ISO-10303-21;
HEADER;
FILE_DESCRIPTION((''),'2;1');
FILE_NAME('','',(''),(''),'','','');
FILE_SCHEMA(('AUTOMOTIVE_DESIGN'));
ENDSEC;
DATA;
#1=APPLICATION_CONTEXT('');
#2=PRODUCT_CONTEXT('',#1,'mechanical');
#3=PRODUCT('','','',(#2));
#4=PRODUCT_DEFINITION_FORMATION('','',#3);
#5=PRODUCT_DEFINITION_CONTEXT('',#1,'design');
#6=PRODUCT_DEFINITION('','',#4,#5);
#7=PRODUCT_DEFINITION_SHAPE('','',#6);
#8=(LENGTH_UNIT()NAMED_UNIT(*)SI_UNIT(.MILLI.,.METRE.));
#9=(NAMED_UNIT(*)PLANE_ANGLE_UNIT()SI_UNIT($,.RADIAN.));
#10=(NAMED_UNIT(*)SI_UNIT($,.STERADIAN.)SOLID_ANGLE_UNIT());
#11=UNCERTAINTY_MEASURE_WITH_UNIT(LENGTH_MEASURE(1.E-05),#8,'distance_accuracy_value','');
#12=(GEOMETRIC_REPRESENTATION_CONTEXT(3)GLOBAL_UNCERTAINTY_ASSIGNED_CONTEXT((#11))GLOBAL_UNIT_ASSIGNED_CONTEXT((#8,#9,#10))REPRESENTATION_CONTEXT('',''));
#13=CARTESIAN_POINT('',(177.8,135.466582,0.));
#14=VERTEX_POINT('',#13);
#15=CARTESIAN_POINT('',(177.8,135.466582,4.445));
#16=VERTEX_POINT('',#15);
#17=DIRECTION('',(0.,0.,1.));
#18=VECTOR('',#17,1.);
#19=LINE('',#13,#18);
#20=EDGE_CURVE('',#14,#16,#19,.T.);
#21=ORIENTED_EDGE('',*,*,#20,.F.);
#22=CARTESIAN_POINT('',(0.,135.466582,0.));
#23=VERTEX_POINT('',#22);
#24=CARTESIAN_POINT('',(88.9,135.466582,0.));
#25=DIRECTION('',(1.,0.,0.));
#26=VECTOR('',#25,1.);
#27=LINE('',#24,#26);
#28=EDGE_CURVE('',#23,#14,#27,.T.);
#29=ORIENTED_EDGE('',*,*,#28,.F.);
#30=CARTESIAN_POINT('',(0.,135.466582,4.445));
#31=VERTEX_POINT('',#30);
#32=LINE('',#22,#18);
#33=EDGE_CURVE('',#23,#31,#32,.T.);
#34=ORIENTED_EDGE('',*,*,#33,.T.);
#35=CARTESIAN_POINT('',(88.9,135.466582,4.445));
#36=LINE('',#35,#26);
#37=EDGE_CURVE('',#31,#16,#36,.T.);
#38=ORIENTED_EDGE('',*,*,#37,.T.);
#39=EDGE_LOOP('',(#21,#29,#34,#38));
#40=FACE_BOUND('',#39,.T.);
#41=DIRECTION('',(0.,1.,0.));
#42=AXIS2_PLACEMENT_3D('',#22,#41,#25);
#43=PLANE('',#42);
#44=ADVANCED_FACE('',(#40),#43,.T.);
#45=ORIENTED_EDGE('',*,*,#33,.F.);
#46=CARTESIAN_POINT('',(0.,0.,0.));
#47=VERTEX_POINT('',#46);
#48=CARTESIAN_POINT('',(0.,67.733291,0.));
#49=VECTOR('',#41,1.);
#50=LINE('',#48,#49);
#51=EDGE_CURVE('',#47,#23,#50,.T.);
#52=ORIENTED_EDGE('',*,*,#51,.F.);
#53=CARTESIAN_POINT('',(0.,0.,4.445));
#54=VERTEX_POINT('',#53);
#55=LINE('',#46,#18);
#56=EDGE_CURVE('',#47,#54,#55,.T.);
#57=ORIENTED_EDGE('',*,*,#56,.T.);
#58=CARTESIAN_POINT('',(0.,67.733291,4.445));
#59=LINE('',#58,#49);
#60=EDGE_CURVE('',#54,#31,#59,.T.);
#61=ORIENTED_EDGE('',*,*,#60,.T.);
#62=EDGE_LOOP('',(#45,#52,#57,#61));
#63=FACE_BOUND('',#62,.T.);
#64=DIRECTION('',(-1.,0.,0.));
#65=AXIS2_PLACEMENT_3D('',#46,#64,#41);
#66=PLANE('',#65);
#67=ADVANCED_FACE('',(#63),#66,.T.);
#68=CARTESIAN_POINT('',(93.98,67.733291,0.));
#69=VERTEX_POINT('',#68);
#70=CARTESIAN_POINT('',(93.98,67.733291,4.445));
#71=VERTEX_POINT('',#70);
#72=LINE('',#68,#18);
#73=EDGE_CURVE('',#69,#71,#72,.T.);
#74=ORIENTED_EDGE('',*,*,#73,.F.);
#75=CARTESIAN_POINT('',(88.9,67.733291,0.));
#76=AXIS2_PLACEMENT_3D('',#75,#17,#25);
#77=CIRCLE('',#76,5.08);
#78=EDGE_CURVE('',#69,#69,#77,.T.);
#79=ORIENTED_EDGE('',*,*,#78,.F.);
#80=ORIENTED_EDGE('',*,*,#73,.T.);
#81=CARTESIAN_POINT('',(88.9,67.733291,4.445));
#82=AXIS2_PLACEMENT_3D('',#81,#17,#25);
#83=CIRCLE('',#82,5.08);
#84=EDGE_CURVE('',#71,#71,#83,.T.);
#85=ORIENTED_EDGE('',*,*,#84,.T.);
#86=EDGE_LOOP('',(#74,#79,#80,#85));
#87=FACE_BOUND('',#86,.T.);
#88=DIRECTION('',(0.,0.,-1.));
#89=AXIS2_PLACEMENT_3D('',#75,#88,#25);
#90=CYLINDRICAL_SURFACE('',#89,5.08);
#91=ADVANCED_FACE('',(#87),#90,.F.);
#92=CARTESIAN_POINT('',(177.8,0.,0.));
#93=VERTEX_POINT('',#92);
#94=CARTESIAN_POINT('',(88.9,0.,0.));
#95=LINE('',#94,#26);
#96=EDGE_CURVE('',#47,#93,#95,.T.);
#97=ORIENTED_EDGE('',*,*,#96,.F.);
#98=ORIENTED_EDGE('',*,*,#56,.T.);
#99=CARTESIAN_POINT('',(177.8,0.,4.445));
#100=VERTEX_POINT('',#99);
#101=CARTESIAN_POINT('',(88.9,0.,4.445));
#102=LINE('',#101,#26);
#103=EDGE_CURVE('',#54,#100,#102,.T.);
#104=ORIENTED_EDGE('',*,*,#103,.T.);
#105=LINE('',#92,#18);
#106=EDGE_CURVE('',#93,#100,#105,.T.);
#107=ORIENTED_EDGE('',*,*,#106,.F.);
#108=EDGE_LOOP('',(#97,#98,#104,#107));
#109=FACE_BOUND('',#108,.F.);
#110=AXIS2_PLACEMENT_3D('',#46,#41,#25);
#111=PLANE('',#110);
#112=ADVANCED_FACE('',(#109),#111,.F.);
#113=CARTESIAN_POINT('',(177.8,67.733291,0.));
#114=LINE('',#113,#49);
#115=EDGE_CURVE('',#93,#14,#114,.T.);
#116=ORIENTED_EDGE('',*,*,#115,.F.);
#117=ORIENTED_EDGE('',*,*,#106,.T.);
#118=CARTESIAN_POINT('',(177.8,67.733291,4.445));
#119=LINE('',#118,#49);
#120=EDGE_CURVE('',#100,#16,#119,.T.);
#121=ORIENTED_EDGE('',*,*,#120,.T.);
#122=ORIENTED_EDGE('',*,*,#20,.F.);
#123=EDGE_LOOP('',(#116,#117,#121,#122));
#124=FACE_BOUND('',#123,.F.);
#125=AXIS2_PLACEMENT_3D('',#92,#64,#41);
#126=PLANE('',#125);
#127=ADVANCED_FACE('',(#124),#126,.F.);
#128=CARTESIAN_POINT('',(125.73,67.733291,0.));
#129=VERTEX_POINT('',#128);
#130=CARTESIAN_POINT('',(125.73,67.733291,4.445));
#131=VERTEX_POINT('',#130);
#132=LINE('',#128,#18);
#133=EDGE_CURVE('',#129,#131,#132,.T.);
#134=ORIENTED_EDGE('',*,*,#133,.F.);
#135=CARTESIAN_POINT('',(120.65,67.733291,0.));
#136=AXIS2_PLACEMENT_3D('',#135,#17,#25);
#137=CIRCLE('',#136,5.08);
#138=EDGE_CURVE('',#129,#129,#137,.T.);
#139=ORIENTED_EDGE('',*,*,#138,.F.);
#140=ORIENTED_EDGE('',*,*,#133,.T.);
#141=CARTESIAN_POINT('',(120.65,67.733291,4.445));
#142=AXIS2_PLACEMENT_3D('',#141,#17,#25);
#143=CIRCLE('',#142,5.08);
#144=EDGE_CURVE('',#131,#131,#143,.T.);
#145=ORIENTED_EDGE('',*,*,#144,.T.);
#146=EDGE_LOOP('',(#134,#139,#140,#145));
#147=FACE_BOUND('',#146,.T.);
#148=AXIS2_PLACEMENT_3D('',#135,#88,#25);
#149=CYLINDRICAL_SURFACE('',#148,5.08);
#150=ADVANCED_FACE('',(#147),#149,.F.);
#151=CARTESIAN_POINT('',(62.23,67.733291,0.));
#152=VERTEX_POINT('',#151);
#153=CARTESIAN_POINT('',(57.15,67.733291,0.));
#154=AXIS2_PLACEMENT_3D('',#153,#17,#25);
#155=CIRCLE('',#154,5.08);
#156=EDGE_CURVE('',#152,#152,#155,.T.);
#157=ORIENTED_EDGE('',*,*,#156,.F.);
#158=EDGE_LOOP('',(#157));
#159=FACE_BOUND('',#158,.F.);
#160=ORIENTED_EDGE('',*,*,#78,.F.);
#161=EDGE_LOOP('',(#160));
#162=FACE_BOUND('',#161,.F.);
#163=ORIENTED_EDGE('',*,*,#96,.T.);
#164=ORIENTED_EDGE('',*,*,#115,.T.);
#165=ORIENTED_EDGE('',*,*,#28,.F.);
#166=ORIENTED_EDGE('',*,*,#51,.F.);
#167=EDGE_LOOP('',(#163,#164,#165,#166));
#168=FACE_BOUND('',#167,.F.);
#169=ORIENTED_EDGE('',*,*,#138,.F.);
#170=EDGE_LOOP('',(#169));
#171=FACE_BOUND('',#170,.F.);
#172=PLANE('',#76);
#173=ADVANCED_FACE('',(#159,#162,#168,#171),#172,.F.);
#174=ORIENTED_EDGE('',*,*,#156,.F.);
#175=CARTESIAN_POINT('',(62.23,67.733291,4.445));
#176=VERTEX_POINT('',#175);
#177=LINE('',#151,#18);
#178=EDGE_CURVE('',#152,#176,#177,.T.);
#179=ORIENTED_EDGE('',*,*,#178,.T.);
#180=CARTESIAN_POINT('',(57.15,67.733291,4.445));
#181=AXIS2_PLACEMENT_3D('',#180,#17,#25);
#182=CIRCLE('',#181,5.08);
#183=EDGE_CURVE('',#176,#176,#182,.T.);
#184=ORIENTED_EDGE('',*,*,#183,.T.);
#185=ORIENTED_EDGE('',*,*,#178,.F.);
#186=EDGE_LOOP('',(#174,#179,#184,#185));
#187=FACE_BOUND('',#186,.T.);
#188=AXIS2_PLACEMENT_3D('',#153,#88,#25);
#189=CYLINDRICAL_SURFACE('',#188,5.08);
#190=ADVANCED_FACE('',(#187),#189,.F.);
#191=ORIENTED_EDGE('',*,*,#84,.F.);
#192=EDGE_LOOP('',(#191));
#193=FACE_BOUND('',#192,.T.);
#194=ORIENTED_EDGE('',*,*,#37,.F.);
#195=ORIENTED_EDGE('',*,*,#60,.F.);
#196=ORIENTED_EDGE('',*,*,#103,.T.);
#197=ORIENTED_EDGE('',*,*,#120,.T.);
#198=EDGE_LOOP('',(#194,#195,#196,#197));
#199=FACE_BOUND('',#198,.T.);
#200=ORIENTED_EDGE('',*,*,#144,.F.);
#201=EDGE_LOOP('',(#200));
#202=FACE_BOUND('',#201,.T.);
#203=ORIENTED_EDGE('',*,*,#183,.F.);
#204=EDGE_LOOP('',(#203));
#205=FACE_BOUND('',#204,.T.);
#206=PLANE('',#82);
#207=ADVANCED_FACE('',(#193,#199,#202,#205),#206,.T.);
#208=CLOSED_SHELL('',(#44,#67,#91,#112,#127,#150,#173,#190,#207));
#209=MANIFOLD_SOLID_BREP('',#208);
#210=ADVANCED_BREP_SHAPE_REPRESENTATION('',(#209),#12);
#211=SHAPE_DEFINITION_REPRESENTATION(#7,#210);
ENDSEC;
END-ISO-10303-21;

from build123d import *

# Parameters (mm, degrees)
F0_W     = 177.8
F0_H     = 135.466582
F0_R     = 5.08
F1_DEPTH = 4.445


with BuildPart() as f1:
    # F0 (on Top) → F1 (new body)
    with BuildSketch(Plane.XY):
        with Locations((88.9, 67.733291)):
            Rectangle(F0_W, F0_H)
        with Locations((57.15, 67.733291)):
            Circle(F0_R, mode=Mode.SUBTRACT)
        with Locations((88.9, 67.733291)):
            Circle(F0_R, mode=Mode.SUBTRACT)
        with Locations((120.65, 67.733291)):
            Circle(F0_R, mode=Mode.SUBTRACT)
    extrude(amount=F1_DEPTH)


solid = f1.part
